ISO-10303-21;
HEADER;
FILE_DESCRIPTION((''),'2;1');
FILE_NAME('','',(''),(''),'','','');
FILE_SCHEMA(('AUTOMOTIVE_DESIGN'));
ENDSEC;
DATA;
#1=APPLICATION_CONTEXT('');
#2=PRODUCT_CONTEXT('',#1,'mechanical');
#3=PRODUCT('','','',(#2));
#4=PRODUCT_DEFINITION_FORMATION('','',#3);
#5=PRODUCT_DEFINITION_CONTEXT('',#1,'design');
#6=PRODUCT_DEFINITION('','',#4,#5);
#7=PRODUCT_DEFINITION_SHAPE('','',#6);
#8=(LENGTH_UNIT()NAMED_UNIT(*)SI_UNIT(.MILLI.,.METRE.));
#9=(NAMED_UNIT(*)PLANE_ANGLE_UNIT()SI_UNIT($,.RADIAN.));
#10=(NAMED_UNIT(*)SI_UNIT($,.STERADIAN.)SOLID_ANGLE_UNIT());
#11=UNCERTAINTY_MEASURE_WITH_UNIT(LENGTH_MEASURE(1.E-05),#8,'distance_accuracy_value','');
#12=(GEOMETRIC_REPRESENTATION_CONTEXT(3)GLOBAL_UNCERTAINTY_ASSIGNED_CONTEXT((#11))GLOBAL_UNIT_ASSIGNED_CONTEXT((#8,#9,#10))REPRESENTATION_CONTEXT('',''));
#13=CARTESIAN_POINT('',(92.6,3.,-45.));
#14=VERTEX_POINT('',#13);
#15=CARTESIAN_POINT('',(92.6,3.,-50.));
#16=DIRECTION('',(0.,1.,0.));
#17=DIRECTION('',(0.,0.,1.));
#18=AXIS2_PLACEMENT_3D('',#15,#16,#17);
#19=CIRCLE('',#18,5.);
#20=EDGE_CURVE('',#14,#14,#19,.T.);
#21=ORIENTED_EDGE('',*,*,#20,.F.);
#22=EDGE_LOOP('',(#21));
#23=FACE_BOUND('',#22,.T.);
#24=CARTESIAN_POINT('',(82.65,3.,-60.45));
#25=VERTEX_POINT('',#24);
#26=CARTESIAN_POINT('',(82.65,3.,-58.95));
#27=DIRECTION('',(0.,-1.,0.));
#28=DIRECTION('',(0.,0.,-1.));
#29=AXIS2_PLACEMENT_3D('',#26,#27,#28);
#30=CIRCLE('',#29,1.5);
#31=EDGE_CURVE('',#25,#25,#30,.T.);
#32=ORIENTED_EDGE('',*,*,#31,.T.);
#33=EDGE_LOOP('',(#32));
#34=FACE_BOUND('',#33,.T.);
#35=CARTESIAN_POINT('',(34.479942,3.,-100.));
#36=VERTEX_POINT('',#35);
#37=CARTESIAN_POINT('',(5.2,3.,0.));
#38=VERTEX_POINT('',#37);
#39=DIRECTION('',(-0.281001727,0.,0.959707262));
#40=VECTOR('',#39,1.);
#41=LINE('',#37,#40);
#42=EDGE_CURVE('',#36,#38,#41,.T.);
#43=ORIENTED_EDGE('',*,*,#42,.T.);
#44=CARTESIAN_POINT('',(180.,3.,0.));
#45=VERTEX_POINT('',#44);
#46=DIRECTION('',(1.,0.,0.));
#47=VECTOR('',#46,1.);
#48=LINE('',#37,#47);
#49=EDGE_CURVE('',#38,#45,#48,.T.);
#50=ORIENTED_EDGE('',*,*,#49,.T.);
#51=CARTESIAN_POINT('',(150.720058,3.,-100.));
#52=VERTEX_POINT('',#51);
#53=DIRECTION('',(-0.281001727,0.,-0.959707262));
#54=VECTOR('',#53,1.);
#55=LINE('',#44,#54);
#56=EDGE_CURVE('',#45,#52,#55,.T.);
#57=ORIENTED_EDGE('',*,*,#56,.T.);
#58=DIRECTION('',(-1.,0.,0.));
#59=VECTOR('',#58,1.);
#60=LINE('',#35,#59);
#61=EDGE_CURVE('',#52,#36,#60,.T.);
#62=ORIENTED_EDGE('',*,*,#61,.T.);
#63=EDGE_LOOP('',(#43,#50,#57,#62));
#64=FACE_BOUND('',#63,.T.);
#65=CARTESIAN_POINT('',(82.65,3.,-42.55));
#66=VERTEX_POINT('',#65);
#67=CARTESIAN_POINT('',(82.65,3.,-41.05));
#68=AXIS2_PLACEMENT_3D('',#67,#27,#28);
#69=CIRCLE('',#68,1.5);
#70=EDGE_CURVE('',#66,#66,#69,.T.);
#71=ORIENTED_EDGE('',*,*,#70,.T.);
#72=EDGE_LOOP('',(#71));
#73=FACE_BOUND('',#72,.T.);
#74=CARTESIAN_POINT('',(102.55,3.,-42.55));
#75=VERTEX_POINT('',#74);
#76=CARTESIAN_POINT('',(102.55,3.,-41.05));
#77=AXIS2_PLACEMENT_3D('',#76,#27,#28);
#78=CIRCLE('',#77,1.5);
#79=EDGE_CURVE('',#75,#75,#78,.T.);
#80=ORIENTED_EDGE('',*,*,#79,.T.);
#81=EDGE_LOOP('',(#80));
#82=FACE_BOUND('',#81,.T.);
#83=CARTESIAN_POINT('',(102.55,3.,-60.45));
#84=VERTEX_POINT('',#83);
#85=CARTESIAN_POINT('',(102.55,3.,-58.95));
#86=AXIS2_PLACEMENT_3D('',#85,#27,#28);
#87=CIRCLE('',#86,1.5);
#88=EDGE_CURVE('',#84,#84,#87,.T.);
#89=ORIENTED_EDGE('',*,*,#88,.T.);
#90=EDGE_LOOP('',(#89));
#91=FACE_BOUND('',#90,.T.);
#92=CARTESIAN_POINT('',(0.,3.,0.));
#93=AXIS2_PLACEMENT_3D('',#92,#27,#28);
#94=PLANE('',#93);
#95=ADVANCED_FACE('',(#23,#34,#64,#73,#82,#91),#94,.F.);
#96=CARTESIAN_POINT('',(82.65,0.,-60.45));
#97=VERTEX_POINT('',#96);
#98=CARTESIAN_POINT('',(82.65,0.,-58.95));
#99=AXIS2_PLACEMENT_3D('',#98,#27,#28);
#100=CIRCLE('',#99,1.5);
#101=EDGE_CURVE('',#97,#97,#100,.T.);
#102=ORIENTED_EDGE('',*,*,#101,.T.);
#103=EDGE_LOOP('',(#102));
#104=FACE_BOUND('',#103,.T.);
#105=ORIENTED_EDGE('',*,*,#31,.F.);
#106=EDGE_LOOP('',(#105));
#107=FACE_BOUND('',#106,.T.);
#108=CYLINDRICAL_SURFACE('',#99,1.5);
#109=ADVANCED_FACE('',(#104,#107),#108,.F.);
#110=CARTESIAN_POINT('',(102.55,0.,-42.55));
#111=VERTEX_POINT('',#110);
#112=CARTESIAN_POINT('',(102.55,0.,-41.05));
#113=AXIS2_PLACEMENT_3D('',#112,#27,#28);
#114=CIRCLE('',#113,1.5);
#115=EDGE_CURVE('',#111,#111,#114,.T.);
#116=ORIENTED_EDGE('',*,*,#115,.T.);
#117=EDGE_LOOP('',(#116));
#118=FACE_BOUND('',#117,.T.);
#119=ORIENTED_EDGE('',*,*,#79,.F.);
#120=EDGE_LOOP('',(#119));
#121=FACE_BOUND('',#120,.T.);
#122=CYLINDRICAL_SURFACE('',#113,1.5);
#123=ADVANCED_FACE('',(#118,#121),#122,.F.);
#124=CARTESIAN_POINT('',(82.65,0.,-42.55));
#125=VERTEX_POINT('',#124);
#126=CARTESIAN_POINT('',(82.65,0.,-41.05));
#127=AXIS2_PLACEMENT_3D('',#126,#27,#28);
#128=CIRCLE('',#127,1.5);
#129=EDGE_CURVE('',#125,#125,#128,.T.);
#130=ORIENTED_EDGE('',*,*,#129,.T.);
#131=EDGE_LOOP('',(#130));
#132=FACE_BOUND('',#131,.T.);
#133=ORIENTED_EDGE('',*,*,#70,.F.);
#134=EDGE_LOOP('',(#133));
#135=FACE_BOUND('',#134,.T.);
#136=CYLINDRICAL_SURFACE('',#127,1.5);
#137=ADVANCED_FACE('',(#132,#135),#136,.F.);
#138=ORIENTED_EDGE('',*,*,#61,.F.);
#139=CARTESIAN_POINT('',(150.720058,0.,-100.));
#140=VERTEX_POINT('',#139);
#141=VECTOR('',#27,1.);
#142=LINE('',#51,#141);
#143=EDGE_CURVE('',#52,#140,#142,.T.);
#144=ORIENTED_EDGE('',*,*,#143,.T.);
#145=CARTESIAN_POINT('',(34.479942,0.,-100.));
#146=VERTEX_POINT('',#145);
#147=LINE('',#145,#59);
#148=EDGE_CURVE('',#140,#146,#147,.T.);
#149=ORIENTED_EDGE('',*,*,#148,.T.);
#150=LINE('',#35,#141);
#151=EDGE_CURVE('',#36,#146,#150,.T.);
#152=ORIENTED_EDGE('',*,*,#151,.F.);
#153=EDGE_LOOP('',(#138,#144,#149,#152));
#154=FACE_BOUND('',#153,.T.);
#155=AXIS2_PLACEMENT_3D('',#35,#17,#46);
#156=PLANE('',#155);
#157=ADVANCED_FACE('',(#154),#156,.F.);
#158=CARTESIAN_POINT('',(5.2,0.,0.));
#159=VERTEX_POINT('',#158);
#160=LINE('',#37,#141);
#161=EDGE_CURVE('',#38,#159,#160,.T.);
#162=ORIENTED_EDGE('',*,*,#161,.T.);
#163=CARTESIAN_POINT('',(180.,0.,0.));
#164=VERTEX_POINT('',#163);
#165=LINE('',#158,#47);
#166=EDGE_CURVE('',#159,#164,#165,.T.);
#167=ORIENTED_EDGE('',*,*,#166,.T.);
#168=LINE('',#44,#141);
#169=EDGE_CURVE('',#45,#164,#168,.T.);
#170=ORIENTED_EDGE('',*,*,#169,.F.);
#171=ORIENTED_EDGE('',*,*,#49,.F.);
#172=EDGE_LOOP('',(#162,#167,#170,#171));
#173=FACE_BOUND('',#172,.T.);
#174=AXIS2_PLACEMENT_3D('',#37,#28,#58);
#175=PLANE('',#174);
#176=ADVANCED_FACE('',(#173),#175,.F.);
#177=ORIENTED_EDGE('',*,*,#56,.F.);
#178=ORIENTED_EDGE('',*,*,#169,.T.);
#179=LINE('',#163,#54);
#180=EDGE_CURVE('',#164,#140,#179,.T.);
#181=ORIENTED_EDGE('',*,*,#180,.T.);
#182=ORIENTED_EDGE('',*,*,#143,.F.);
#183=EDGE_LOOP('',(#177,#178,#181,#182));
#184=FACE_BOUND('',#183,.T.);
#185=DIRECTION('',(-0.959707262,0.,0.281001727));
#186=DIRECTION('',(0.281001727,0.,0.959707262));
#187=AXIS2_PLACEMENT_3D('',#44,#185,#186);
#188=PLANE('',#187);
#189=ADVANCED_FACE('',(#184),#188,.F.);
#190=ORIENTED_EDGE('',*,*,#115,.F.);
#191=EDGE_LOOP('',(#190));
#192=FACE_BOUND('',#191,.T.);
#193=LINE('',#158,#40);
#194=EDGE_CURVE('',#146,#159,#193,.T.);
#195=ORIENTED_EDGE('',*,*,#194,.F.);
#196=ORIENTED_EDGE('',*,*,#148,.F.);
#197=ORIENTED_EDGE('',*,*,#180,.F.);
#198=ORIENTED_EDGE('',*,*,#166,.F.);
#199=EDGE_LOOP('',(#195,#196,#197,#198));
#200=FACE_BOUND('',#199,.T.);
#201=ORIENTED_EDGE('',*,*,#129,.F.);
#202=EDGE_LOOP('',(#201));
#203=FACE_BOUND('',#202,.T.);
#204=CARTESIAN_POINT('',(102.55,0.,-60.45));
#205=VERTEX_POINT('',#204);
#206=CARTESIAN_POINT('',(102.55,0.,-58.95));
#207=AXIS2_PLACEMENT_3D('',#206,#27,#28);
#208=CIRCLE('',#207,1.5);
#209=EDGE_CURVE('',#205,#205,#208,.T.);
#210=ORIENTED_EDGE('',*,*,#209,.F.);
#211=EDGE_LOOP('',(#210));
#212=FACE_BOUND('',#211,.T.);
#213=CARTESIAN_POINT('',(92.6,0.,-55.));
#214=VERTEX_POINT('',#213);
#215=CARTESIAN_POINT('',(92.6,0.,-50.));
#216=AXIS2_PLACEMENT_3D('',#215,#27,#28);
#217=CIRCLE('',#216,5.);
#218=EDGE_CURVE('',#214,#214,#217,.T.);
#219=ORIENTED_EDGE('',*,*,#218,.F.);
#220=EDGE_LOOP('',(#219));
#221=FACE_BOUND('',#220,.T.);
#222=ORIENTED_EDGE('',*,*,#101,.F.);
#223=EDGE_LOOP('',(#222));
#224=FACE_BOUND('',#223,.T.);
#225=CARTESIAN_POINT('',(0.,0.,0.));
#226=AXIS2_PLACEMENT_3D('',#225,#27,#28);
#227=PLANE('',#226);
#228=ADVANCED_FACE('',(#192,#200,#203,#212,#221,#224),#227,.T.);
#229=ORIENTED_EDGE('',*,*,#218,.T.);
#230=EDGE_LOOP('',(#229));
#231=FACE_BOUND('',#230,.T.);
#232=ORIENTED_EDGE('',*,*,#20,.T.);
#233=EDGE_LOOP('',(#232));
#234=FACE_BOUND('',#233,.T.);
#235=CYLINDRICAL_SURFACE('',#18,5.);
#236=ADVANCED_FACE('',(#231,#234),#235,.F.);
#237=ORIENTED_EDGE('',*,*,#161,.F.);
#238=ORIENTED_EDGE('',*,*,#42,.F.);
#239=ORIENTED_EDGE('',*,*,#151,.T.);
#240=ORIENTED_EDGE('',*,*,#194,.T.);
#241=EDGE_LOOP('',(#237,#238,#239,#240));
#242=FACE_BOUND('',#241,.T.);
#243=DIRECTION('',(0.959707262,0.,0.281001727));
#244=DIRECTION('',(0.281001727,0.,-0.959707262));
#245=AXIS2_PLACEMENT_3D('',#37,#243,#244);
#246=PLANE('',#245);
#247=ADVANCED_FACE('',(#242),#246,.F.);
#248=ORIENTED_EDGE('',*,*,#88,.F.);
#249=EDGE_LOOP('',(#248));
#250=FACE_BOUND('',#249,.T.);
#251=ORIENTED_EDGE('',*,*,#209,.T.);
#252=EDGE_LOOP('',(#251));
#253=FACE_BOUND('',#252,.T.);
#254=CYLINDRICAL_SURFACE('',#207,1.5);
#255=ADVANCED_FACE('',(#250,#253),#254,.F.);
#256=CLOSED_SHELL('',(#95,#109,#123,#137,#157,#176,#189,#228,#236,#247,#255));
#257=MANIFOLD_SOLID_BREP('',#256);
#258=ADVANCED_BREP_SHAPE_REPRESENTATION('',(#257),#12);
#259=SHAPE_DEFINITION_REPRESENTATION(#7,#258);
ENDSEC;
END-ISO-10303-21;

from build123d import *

# Parameters (mm, degrees)
BOSS_EXTRUDE1_DEPTH        = 3
F_3_0MM_DOWEL_HOLE1_D      = 3
F_3_0MM_DOWEL_HOLE1_DEPTH  = 3
F_10_0MM_DOWEL_HOLE1_D     = 10
F_10_0MM_DOWEL_HOLE1_DEPTH = 3


with BuildPart() as part:
    # Sketch1 → Boss-Extrude1 (new body)
    with BuildSketch(Plane(origin=(0, 0, 0), x_dir=(1, 0, 0), z_dir=(0, 1, 0))):
        Polygon((5.2, 0), (180, 0), (150.720058283, 100), (34.479941717, 100), align=None)
    extrude(amount=BOSS_EXTRUDE1_DEPTH)

    # Ø3.0mm Dowel Hole1
    with Locations(Plane(origin=(0, 0, 0), x_dir=(-1, 0, 0), z_dir=(0, -1, 0))):
        with Locations((-82.65, 58.95), (-82.65, 41.05), (-102.55, 41.05), (-102.55, 58.95)):
            Hole(F_3_0MM_DOWEL_HOLE1_D / 2, depth=F_3_0MM_DOWEL_HOLE1_DEPTH)

    # Ø10.0mm Dowel Hole1
    with Locations(Plane(origin=(0, 3, 0), x_dir=(1, 0, 0), z_dir=(0, 1, 0))):
        with Locations((92.6, 50)):
            Hole(F_10_0MM_DOWEL_HOLE1_D / 2, depth=F_10_0MM_DOWEL_HOLE1_DEPTH)


solid = part.part
